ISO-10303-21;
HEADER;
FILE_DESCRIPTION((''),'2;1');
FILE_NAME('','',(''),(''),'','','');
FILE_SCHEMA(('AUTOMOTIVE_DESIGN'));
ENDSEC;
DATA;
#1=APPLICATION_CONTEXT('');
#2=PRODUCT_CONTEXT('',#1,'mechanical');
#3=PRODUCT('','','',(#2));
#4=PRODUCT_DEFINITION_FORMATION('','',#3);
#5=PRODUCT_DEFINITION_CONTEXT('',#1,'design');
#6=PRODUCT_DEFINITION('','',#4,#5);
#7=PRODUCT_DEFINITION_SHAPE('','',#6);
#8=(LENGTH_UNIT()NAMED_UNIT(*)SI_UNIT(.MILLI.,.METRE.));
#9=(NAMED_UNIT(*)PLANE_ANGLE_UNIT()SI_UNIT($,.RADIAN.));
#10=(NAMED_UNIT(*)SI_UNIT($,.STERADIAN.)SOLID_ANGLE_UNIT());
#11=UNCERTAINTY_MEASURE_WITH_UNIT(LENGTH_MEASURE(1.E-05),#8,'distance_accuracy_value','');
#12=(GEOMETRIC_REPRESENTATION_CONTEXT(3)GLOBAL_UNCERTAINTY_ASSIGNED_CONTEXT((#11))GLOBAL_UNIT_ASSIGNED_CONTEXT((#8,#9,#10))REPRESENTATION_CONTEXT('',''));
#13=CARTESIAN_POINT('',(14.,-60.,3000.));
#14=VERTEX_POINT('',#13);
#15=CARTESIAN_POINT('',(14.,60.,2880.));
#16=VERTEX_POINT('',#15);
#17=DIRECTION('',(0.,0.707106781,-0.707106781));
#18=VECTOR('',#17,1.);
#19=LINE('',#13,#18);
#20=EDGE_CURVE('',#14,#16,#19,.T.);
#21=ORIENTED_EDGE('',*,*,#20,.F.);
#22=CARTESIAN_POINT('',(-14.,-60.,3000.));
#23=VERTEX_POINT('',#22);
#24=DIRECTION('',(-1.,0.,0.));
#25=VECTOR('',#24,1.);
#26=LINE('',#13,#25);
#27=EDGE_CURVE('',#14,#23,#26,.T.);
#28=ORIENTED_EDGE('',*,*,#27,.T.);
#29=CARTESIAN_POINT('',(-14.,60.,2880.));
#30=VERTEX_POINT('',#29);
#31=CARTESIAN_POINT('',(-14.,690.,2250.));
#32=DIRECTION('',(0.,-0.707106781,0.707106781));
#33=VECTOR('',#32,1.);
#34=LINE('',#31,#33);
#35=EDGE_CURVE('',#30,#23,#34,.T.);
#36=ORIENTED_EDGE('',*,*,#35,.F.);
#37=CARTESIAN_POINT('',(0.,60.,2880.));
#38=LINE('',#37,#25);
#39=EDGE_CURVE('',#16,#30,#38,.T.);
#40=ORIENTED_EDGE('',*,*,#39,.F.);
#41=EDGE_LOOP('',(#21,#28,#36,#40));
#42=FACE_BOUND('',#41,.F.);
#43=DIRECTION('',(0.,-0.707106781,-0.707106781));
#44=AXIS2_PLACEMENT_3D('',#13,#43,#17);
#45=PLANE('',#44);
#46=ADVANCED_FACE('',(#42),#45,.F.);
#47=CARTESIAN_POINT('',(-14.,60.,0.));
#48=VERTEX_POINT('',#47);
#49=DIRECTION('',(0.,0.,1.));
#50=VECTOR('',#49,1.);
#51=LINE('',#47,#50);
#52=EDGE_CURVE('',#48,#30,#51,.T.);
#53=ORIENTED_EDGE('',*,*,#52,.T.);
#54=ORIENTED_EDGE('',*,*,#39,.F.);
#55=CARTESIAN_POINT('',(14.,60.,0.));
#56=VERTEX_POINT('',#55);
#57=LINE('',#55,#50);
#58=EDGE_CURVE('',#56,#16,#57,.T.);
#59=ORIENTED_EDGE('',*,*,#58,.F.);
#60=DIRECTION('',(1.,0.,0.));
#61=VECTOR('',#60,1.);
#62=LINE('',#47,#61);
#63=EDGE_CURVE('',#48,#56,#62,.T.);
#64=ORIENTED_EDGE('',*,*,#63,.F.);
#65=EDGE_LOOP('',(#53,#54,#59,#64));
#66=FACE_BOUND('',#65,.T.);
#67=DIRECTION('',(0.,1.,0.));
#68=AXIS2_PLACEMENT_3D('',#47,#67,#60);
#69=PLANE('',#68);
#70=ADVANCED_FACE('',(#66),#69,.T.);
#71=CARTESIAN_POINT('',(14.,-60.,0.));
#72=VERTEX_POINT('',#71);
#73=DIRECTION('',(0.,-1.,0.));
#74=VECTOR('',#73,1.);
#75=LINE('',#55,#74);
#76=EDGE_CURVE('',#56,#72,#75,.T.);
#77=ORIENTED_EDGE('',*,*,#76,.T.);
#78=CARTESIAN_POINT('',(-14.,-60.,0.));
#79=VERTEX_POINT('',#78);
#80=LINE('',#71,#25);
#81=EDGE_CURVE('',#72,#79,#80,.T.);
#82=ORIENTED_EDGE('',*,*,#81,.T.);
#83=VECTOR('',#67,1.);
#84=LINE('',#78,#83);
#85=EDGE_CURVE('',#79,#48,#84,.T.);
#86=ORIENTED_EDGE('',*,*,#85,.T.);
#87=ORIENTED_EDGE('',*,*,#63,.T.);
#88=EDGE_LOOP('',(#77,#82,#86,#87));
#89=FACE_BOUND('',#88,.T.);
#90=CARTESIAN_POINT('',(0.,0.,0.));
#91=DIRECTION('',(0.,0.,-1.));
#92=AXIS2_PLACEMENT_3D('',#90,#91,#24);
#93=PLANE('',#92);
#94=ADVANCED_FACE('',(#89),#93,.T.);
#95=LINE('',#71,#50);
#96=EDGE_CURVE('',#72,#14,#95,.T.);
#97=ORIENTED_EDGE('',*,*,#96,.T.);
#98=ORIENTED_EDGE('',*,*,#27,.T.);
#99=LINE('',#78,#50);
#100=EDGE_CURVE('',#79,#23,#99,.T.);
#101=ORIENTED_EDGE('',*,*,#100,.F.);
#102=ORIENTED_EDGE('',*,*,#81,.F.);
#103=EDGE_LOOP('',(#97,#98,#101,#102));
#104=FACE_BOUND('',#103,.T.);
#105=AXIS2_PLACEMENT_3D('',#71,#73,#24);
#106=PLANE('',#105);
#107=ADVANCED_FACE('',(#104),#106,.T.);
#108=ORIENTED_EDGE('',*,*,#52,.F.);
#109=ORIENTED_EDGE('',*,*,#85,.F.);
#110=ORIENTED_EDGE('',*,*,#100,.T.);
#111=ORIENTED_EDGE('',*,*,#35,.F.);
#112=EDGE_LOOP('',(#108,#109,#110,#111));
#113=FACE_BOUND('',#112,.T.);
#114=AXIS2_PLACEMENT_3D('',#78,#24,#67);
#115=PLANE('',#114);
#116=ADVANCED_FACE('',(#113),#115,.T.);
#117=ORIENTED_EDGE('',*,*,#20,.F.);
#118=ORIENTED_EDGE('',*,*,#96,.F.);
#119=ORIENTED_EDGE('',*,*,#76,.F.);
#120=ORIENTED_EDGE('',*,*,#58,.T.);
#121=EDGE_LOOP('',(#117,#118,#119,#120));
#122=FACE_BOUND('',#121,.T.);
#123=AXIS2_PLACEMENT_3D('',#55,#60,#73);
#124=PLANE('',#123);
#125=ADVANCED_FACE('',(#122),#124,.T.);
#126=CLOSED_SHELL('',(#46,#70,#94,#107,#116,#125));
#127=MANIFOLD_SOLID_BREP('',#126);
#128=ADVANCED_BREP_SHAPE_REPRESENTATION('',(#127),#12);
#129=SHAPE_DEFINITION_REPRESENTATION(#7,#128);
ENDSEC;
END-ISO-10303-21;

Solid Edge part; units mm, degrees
sketch "Sketch1" plane through (0, 0, 0) normal (0, 0, -1) x (-1, 0, 0)
  line L0 (-14, -60) -> (14, -60)
  line L1 (14, -60) -> (14, 60)
  line L2 (14, 60) -> (-14, 60)
  line L3 (-14, 60) -> (-14, -60)
extrude "Protrusion1" add sketch "Sketch1" against normal blind 3000
sketch "Sketch2" plane through (14, 0, 1500) normal (1, 0, 0) x (0, 0, 1)
  line L0 (1500, 60) -> (1358.5786, -81.4214)
  line L1 (1358.5786, -81.4214) -> (1573.4119, -81.4214)
  line L2 (1573.4119, -81.4214) -> (1500, 60)
extrude "ExtrudedCutout_1" cut sketch "Sketch2" against normal blind 321.3115
properties material "Wood, Pine"
